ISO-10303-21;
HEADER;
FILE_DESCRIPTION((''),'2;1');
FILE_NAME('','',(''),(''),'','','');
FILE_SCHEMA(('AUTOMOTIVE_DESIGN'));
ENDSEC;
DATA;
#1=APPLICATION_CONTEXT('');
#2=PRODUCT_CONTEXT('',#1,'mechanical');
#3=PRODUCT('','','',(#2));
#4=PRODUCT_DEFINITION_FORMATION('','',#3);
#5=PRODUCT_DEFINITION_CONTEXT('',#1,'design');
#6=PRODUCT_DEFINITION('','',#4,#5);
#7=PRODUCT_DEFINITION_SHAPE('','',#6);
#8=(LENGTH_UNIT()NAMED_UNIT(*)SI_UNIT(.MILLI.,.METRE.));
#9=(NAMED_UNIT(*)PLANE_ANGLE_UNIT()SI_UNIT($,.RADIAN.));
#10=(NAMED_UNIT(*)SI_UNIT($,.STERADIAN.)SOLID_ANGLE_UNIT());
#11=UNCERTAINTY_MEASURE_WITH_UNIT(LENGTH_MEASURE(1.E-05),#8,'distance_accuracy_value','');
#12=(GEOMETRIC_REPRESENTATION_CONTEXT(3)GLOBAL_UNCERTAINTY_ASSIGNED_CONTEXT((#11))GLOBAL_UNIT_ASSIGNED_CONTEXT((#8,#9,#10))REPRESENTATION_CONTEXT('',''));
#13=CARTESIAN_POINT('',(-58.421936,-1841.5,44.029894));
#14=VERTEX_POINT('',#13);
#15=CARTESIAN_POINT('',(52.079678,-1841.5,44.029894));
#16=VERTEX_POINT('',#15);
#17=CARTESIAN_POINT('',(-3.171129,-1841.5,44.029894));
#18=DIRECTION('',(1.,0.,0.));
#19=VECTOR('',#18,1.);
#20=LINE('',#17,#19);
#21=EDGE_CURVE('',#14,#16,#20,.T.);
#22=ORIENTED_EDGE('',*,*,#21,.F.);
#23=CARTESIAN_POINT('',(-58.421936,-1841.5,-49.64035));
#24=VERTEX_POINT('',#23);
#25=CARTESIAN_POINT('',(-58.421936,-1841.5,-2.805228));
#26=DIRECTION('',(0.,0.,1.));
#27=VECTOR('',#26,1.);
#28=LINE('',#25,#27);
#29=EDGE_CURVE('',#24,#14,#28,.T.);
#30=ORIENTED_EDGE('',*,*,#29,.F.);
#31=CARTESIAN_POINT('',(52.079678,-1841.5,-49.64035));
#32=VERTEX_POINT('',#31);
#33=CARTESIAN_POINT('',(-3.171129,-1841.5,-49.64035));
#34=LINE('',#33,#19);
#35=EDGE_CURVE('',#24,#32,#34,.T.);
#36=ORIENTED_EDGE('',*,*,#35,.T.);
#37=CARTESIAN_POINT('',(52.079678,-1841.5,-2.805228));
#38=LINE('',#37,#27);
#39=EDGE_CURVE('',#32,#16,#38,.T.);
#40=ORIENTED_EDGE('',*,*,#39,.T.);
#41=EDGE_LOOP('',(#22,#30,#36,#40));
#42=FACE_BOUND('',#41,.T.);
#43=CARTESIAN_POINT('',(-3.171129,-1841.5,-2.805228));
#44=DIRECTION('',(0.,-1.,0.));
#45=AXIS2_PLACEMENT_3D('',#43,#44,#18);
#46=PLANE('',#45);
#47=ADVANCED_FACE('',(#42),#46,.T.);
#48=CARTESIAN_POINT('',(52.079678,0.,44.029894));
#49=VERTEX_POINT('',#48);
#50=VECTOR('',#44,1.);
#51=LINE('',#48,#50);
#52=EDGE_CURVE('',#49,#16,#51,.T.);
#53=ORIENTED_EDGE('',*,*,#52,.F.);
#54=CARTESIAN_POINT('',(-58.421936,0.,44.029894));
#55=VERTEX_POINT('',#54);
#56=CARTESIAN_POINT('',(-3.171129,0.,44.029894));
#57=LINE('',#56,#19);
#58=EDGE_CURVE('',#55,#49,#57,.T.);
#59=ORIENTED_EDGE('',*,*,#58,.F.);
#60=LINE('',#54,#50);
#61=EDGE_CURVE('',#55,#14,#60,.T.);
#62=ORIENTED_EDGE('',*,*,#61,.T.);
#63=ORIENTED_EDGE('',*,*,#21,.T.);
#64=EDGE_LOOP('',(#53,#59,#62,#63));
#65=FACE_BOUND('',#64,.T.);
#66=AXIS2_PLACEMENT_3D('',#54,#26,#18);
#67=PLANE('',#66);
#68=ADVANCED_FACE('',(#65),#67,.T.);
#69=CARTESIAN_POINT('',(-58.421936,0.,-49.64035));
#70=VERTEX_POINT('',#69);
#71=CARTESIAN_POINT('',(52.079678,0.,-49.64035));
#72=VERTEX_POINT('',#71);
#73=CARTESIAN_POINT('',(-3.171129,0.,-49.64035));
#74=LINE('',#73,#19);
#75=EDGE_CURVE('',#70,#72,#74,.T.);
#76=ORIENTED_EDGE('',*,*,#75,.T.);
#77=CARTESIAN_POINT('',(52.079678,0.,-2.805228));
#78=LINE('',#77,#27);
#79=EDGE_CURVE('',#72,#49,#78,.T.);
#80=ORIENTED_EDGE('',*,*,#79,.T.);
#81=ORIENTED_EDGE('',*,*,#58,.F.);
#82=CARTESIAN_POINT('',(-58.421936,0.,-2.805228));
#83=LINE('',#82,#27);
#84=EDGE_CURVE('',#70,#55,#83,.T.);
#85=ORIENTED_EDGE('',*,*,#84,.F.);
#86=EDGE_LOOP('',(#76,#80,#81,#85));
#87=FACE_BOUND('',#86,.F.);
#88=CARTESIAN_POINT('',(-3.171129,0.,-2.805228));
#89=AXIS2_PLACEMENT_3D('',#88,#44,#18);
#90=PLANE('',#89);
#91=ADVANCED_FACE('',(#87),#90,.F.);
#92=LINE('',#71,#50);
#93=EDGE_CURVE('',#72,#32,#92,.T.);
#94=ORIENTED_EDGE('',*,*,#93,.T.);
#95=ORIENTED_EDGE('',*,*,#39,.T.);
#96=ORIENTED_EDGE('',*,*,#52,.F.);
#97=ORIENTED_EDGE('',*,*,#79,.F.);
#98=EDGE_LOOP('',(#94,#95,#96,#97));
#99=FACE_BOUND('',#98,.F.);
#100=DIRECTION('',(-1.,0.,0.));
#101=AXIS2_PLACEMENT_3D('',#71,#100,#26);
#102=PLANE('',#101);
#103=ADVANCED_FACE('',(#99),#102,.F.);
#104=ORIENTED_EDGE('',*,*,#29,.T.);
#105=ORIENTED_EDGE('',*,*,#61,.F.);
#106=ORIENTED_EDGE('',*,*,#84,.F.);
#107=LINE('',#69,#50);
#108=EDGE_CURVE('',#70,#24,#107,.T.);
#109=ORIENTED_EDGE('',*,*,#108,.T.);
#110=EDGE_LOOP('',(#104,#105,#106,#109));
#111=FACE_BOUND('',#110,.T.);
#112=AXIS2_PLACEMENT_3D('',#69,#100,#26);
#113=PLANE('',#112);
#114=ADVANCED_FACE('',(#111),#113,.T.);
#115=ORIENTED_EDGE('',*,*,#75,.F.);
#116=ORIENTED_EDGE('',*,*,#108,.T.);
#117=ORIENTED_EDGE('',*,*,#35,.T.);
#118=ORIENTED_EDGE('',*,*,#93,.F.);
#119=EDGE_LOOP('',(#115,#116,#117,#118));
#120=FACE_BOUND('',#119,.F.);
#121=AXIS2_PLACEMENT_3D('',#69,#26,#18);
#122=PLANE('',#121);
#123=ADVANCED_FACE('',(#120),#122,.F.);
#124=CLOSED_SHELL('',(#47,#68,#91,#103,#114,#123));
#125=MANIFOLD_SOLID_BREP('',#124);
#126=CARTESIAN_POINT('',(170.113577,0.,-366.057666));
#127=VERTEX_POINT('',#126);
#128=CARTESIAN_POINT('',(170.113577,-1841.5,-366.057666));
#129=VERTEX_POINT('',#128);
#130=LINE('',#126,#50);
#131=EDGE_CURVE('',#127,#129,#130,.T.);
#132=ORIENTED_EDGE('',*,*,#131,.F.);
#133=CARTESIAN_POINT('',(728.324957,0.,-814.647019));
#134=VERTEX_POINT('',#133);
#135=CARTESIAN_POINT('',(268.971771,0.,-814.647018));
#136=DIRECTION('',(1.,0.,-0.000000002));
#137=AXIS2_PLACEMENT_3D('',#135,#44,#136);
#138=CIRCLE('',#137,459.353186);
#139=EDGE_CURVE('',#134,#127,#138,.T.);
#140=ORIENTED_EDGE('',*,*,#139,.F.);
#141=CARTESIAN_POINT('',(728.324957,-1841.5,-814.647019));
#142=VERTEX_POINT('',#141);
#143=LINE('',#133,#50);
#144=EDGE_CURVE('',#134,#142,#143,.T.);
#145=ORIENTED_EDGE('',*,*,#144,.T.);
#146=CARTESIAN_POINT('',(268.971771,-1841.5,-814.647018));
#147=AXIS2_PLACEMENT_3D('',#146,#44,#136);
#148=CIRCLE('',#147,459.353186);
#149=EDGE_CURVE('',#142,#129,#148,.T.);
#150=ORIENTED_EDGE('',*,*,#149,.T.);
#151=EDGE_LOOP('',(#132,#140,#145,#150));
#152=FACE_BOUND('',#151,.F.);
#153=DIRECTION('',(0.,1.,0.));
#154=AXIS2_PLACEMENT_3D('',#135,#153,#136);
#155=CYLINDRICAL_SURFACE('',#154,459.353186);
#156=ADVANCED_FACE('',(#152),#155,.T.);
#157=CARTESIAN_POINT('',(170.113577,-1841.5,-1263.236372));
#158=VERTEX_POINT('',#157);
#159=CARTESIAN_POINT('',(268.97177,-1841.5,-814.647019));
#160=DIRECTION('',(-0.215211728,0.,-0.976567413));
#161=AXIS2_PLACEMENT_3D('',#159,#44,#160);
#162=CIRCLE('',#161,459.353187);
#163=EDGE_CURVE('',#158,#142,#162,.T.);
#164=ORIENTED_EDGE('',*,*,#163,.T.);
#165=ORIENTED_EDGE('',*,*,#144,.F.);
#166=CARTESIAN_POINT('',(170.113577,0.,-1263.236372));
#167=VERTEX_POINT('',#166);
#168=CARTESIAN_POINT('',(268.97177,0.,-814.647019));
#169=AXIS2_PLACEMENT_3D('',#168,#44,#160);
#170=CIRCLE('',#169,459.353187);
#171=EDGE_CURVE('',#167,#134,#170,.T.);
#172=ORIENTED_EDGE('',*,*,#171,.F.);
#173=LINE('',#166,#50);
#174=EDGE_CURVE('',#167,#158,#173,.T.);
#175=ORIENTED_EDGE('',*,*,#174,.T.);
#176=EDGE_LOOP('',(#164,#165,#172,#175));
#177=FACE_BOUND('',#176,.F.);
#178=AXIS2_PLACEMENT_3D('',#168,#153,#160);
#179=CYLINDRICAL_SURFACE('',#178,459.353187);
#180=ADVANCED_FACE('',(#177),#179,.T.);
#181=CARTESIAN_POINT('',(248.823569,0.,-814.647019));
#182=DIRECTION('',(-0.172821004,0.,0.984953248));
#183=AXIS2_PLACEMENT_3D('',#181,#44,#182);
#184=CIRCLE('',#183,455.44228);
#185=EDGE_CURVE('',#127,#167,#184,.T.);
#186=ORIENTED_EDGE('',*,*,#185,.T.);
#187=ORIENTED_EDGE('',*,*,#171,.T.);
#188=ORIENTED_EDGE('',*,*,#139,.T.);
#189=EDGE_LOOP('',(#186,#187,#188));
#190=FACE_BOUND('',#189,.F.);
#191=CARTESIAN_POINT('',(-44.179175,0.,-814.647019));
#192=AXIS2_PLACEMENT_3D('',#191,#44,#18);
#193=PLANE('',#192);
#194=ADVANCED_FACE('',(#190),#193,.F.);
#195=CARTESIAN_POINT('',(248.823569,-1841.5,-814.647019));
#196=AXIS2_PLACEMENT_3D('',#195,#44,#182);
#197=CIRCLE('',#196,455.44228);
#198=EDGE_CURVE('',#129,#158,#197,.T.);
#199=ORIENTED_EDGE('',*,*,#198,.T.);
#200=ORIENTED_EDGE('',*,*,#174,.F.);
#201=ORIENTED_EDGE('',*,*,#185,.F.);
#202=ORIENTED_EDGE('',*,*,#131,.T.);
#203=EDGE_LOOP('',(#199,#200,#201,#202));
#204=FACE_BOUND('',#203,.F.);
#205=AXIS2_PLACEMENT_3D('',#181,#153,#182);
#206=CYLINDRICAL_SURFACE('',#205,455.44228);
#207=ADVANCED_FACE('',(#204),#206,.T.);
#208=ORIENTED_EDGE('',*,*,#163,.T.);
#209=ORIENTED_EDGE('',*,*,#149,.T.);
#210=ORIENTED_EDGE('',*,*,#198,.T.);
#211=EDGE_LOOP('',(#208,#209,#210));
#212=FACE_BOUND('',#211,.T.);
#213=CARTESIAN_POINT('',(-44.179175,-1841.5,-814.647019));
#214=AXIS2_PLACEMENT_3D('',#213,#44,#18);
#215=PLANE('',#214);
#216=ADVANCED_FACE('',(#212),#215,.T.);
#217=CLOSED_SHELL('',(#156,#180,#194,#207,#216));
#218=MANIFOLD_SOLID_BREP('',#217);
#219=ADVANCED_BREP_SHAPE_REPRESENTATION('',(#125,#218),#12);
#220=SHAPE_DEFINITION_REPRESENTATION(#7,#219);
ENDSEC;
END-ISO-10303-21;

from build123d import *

# Parameters (mm, degrees)
F0_W     = 110.501614
F0_H     = 93.670245
F0_R     = 417.69557
F1_DEPTH = 1841.5


with BuildPart() as f1:
    # F0 (on Front) → F1 (new body)
    with BuildSketch(Plane.XZ):
        with Locations((-3.171129, -2.805228)):
            Rectangle(F0_W, F0_H)
        with BuildLine():
            ThreePointArc((170.113577, -1263.236372), (-190.381415, -814.647019), (170.113577, -366.057666))
            ThreePointArc((170.113577, -366.057666), (-206.618711, -814.647019), (170.113577, -1263.236372))
        make_face()
        with BuildLine():
            ThreePointArc((170.113577, -366.057666), (541.722708, -465.88096), (704.265848, -814.647019))
            ThreePointArc((704.265848, -814.647019), (541.722708, -1163.413078), (170.113577, -1263.236372))
            ThreePointArc((170.113577, -1263.236372), (556.716904, -1172.708589), (728.324957, -814.647019))
            ThreePointArc((728.324957, -814.647019), (556.716904, -456.585448), (170.113577, -366.057666))
        make_face()
        with BuildLine():
            ThreePointArc((170.113577, -1263.236372), (541.722708, -1163.413078), (704.265848, -814.647019))
            ThreePointArc((704.265848, -814.647019), (541.722708, -465.88096), (170.113577, -366.057666))
            ThreePointArc((170.113577, -366.057666), (-190.381415, -814.647019), (170.113577, -1263.236372))
        make_face()
        with Locations((248.823568, -814.647019)):
            Circle(F0_R, mode=Mode.SUBTRACT)
        with Locations((248.823568, -814.647019)):
            Circle(F0_R)
    extrude(amount=F1_DEPTH)


solid = f1.part
